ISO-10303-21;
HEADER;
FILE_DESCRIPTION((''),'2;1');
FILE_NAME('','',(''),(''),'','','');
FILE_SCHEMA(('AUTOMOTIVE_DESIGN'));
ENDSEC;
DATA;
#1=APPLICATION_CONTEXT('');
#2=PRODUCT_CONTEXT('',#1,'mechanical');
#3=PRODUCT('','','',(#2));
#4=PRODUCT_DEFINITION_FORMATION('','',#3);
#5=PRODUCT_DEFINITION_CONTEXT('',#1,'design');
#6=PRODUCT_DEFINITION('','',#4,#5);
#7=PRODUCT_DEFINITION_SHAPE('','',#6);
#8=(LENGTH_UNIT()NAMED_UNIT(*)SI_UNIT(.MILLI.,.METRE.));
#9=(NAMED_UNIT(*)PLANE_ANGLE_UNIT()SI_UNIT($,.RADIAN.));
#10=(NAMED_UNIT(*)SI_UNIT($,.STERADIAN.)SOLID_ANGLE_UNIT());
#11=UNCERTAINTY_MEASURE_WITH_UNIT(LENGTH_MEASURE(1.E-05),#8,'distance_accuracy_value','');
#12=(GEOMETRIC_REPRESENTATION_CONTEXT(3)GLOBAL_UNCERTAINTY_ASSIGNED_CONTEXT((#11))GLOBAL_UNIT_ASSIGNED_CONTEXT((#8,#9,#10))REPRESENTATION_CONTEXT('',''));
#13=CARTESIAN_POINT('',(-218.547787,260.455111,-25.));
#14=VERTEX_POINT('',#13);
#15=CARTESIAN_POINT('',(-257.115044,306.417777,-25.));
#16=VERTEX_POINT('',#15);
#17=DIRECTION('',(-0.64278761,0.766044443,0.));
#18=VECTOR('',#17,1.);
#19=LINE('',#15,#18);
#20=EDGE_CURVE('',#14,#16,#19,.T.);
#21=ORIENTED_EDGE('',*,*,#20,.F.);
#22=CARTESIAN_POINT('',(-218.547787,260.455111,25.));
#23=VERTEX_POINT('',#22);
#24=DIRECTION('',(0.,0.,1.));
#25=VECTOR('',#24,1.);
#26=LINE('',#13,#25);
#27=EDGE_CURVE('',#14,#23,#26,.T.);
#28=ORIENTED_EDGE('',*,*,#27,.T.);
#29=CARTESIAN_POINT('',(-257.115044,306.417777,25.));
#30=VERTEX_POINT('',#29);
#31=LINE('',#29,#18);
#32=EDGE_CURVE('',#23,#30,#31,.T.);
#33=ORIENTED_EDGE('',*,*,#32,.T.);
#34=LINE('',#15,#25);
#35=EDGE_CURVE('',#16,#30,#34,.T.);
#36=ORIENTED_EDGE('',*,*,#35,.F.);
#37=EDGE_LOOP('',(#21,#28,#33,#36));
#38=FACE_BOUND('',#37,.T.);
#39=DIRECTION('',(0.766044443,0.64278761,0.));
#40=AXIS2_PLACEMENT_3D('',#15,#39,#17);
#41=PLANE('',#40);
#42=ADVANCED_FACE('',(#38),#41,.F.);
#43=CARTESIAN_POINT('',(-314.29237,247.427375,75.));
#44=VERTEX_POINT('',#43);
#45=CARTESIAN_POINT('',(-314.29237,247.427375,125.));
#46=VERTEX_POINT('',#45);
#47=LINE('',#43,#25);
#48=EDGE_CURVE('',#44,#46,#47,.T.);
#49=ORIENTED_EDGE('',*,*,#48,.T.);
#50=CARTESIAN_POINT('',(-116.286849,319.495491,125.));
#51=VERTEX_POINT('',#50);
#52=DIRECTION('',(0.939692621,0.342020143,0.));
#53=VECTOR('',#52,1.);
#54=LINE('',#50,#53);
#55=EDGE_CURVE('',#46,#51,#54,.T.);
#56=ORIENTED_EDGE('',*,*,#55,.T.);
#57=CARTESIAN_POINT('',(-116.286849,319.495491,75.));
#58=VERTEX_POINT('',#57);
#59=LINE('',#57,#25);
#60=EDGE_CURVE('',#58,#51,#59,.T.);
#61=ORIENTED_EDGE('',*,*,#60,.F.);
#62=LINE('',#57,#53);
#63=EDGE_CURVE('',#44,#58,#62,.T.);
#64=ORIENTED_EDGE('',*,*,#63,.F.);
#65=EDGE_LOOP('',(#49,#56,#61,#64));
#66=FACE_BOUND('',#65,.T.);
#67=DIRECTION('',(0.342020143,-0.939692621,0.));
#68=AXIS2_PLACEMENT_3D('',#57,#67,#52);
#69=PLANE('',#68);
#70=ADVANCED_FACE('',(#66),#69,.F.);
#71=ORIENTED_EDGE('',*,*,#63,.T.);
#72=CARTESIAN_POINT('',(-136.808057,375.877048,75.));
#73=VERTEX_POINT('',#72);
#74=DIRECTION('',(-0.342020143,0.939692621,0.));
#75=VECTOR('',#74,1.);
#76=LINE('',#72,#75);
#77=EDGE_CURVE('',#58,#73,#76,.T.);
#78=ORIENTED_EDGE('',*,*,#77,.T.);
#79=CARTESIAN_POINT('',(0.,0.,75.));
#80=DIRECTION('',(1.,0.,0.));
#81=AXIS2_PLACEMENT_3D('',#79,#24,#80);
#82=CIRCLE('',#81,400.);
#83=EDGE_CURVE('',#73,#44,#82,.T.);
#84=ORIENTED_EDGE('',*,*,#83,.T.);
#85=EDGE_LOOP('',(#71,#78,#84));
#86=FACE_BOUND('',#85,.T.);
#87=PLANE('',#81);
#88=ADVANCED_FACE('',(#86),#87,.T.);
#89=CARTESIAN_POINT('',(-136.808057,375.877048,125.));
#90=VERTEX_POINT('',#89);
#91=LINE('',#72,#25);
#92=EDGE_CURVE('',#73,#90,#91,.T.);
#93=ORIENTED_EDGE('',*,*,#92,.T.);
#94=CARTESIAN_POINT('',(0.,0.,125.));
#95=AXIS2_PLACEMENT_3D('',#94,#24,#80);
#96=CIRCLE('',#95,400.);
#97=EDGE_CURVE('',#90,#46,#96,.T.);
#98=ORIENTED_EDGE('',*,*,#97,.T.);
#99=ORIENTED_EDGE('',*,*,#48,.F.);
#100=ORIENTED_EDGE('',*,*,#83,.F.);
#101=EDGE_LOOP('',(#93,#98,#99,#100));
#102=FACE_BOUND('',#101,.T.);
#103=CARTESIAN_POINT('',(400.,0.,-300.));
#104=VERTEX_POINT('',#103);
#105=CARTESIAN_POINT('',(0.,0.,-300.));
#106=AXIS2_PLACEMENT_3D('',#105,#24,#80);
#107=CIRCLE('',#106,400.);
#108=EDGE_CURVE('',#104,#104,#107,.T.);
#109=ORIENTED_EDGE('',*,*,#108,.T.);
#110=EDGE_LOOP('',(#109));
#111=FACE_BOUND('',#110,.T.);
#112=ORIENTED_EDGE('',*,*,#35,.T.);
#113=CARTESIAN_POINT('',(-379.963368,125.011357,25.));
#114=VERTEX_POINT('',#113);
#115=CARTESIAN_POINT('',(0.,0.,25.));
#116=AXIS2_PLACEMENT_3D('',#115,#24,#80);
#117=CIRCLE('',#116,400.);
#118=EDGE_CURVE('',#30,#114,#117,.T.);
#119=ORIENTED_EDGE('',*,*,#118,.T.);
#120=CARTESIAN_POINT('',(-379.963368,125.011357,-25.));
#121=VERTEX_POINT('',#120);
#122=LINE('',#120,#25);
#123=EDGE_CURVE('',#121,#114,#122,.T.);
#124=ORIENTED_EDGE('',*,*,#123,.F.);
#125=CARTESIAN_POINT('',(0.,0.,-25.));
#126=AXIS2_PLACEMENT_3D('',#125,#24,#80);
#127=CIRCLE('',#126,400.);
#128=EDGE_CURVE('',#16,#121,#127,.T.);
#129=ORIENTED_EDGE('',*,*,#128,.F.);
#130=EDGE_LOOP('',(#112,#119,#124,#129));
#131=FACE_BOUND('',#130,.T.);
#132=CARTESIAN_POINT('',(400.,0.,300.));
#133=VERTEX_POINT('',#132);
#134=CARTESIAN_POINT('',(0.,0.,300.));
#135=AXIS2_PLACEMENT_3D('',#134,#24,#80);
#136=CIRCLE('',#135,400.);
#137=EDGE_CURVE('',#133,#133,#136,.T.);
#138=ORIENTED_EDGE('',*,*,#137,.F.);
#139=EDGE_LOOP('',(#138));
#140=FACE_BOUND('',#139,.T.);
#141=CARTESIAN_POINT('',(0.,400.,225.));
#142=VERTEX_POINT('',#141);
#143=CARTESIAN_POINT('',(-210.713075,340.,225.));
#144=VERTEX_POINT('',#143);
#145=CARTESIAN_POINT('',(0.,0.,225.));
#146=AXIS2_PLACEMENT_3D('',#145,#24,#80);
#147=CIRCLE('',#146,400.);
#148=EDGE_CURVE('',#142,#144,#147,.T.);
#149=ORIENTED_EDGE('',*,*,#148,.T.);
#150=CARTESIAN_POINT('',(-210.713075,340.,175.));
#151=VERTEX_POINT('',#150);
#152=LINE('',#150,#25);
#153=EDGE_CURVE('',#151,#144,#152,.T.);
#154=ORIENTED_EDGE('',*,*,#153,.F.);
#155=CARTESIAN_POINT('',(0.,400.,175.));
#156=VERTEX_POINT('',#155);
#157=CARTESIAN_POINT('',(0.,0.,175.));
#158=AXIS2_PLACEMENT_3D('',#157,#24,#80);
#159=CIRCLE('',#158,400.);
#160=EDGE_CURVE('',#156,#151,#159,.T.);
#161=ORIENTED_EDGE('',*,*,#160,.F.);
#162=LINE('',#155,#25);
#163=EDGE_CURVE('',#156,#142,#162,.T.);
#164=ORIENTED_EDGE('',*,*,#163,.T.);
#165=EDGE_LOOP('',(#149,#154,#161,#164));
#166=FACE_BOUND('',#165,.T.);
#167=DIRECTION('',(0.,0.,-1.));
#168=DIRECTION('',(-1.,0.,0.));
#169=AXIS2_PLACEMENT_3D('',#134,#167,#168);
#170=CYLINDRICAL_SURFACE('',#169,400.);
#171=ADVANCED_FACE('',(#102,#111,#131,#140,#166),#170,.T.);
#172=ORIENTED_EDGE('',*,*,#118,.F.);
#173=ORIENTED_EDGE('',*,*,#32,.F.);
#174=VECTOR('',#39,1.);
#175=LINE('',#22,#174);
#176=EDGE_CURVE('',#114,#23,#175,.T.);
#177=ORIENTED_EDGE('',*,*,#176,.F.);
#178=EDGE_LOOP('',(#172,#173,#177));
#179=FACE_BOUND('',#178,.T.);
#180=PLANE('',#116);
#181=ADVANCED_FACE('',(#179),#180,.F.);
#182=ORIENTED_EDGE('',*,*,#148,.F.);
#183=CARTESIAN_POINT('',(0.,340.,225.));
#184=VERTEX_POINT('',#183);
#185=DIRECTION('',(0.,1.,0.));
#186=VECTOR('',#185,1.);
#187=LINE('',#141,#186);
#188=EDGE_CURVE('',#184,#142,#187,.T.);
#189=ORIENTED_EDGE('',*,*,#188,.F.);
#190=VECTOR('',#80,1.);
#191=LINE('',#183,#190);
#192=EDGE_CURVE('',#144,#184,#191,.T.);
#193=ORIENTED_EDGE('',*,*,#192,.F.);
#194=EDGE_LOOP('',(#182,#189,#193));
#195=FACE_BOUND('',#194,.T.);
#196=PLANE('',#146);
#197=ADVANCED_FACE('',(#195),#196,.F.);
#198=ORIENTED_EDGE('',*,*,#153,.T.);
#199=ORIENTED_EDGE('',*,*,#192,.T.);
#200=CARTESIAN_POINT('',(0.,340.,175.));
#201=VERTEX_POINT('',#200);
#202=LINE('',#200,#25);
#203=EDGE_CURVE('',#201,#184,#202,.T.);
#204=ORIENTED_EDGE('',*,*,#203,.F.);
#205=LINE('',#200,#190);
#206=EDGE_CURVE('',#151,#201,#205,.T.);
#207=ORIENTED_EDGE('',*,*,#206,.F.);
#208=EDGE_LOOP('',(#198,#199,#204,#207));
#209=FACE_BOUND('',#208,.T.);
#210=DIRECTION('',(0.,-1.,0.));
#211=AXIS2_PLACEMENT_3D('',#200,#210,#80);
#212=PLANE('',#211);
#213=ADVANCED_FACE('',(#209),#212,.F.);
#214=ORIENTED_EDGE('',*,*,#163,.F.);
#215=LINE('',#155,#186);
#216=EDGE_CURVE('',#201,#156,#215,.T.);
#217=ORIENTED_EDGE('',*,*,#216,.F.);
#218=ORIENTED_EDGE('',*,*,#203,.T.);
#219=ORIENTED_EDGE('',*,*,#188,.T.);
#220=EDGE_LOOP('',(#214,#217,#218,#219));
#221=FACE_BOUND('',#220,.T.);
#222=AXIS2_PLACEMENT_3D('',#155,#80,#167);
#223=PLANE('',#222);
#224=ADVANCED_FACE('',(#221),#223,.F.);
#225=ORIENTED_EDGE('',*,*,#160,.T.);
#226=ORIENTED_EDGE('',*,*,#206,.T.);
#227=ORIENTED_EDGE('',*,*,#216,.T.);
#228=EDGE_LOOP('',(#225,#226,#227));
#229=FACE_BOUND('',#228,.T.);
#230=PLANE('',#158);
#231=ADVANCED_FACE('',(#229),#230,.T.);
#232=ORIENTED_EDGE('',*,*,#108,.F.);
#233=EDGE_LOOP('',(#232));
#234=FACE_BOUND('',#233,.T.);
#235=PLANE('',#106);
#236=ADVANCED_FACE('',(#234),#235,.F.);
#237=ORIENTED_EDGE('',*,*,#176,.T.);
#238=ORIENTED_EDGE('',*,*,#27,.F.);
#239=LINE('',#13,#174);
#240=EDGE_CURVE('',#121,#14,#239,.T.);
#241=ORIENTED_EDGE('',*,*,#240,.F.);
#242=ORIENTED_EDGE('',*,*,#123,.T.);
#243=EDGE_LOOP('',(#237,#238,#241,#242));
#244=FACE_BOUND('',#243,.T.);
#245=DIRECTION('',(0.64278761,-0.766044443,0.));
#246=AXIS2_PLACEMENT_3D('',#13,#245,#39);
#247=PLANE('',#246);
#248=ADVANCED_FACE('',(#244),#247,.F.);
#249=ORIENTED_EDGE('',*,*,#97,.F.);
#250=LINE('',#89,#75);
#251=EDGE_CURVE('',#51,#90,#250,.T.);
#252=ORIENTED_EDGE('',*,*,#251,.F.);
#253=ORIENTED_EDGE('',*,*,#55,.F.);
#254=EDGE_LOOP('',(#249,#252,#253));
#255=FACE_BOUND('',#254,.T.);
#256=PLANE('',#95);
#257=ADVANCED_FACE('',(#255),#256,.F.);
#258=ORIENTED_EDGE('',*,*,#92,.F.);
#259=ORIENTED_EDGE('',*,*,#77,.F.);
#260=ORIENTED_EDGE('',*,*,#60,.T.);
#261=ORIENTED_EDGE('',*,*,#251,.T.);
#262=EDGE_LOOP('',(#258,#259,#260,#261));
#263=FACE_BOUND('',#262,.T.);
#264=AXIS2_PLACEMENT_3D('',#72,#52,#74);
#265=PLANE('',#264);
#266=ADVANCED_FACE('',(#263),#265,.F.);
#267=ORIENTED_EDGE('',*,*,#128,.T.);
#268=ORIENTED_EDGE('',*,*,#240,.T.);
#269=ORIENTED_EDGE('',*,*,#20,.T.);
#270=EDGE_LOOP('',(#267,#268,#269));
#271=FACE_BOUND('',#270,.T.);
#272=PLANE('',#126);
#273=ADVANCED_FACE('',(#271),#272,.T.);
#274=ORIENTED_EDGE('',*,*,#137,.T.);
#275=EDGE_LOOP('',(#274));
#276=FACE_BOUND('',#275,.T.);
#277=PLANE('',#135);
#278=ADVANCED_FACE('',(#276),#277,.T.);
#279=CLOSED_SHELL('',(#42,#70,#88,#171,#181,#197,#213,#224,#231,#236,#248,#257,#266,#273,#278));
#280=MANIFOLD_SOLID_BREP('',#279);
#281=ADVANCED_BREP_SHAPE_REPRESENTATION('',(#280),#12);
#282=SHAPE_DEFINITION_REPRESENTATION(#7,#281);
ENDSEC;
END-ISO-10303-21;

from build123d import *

# Parameters (mm, degrees)
SKIZZE1_R                       = 400
AUFSATZ_LINEAR_AUSTRAGEN1_DEPTH = 300
SCHNITT_LINEAR_AUSTRAGEN1_DEPTH = 25
SCHNITT_LINEAR_AUSTRAGEN2_DEPTH = 25
SCHNITT_LINEAR_AUSTRAGEN3_DEPTH = 25


with BuildPart() as part:
    # Skizze1 → Aufsatz-Linear austragen1 (new body, symmetric)
    with BuildSketch(Plane.XY):
        Circle(SKIZZE1_R)
    extrude(amount=AUFSATZ_LINEAR_AUSTRAGEN1_DEPTH, both=True)

    # Skizze2 → Schnitt-Linear austragen1 (cut, symmetric)
    with BuildSketch(Plane.XY.offset(200)):
        with BuildLine():
            Line((0, 400), (0, 340))
            Line((0, 340), (-210.713075057, 340))
            ThreePointArc((-210.713075057, 340), (-109.544511501, 384.707681233), (0, 400))
        make_face()
    extrude(amount=SCHNITT_LINEAR_AUSTRAGEN1_DEPTH, both=True, mode=Mode.SUBTRACT)

    # Skizze3 → Schnitt-Linear austragen2 (cut, symmetric)
    with BuildSketch(Plane.XY.offset(100)):
        with BuildLine():
            Line((-136.80805733, 375.877048314), (-116.286848731, 319.495491067))
            Line((-116.286848731, 319.495491067), (-314.292370465, 247.427374936))
            ThreePointArc((-314.292370465, 247.427374936), (-234.515945379, 324.040539691), (-136.80805733, 375.877048314))
        make_face()
    extrude(amount=SCHNITT_LINEAR_AUSTRAGEN2_DEPTH, both=True, mode=Mode.SUBTRACT)

    # Skizze4 → Schnitt-Linear austragen3 (cut, symmetric)
    with BuildSketch(Plane.XY):
        with BuildLine():
            Line((-257.115043875, 306.417777248), (-218.547787293, 260.45511066))
            Line((-218.547787293, 260.45511066), (-379.963367533, 125.011356815))
            ThreePointArc((-379.963367533, 125.011356815), (-331.201295158, 224.289326732), (-257.115043875, 306.417777248))
        make_face()
    extrude(amount=SCHNITT_LINEAR_AUSTRAGEN3_DEPTH, both=True, mode=Mode.SUBTRACT)


solid = part.part
